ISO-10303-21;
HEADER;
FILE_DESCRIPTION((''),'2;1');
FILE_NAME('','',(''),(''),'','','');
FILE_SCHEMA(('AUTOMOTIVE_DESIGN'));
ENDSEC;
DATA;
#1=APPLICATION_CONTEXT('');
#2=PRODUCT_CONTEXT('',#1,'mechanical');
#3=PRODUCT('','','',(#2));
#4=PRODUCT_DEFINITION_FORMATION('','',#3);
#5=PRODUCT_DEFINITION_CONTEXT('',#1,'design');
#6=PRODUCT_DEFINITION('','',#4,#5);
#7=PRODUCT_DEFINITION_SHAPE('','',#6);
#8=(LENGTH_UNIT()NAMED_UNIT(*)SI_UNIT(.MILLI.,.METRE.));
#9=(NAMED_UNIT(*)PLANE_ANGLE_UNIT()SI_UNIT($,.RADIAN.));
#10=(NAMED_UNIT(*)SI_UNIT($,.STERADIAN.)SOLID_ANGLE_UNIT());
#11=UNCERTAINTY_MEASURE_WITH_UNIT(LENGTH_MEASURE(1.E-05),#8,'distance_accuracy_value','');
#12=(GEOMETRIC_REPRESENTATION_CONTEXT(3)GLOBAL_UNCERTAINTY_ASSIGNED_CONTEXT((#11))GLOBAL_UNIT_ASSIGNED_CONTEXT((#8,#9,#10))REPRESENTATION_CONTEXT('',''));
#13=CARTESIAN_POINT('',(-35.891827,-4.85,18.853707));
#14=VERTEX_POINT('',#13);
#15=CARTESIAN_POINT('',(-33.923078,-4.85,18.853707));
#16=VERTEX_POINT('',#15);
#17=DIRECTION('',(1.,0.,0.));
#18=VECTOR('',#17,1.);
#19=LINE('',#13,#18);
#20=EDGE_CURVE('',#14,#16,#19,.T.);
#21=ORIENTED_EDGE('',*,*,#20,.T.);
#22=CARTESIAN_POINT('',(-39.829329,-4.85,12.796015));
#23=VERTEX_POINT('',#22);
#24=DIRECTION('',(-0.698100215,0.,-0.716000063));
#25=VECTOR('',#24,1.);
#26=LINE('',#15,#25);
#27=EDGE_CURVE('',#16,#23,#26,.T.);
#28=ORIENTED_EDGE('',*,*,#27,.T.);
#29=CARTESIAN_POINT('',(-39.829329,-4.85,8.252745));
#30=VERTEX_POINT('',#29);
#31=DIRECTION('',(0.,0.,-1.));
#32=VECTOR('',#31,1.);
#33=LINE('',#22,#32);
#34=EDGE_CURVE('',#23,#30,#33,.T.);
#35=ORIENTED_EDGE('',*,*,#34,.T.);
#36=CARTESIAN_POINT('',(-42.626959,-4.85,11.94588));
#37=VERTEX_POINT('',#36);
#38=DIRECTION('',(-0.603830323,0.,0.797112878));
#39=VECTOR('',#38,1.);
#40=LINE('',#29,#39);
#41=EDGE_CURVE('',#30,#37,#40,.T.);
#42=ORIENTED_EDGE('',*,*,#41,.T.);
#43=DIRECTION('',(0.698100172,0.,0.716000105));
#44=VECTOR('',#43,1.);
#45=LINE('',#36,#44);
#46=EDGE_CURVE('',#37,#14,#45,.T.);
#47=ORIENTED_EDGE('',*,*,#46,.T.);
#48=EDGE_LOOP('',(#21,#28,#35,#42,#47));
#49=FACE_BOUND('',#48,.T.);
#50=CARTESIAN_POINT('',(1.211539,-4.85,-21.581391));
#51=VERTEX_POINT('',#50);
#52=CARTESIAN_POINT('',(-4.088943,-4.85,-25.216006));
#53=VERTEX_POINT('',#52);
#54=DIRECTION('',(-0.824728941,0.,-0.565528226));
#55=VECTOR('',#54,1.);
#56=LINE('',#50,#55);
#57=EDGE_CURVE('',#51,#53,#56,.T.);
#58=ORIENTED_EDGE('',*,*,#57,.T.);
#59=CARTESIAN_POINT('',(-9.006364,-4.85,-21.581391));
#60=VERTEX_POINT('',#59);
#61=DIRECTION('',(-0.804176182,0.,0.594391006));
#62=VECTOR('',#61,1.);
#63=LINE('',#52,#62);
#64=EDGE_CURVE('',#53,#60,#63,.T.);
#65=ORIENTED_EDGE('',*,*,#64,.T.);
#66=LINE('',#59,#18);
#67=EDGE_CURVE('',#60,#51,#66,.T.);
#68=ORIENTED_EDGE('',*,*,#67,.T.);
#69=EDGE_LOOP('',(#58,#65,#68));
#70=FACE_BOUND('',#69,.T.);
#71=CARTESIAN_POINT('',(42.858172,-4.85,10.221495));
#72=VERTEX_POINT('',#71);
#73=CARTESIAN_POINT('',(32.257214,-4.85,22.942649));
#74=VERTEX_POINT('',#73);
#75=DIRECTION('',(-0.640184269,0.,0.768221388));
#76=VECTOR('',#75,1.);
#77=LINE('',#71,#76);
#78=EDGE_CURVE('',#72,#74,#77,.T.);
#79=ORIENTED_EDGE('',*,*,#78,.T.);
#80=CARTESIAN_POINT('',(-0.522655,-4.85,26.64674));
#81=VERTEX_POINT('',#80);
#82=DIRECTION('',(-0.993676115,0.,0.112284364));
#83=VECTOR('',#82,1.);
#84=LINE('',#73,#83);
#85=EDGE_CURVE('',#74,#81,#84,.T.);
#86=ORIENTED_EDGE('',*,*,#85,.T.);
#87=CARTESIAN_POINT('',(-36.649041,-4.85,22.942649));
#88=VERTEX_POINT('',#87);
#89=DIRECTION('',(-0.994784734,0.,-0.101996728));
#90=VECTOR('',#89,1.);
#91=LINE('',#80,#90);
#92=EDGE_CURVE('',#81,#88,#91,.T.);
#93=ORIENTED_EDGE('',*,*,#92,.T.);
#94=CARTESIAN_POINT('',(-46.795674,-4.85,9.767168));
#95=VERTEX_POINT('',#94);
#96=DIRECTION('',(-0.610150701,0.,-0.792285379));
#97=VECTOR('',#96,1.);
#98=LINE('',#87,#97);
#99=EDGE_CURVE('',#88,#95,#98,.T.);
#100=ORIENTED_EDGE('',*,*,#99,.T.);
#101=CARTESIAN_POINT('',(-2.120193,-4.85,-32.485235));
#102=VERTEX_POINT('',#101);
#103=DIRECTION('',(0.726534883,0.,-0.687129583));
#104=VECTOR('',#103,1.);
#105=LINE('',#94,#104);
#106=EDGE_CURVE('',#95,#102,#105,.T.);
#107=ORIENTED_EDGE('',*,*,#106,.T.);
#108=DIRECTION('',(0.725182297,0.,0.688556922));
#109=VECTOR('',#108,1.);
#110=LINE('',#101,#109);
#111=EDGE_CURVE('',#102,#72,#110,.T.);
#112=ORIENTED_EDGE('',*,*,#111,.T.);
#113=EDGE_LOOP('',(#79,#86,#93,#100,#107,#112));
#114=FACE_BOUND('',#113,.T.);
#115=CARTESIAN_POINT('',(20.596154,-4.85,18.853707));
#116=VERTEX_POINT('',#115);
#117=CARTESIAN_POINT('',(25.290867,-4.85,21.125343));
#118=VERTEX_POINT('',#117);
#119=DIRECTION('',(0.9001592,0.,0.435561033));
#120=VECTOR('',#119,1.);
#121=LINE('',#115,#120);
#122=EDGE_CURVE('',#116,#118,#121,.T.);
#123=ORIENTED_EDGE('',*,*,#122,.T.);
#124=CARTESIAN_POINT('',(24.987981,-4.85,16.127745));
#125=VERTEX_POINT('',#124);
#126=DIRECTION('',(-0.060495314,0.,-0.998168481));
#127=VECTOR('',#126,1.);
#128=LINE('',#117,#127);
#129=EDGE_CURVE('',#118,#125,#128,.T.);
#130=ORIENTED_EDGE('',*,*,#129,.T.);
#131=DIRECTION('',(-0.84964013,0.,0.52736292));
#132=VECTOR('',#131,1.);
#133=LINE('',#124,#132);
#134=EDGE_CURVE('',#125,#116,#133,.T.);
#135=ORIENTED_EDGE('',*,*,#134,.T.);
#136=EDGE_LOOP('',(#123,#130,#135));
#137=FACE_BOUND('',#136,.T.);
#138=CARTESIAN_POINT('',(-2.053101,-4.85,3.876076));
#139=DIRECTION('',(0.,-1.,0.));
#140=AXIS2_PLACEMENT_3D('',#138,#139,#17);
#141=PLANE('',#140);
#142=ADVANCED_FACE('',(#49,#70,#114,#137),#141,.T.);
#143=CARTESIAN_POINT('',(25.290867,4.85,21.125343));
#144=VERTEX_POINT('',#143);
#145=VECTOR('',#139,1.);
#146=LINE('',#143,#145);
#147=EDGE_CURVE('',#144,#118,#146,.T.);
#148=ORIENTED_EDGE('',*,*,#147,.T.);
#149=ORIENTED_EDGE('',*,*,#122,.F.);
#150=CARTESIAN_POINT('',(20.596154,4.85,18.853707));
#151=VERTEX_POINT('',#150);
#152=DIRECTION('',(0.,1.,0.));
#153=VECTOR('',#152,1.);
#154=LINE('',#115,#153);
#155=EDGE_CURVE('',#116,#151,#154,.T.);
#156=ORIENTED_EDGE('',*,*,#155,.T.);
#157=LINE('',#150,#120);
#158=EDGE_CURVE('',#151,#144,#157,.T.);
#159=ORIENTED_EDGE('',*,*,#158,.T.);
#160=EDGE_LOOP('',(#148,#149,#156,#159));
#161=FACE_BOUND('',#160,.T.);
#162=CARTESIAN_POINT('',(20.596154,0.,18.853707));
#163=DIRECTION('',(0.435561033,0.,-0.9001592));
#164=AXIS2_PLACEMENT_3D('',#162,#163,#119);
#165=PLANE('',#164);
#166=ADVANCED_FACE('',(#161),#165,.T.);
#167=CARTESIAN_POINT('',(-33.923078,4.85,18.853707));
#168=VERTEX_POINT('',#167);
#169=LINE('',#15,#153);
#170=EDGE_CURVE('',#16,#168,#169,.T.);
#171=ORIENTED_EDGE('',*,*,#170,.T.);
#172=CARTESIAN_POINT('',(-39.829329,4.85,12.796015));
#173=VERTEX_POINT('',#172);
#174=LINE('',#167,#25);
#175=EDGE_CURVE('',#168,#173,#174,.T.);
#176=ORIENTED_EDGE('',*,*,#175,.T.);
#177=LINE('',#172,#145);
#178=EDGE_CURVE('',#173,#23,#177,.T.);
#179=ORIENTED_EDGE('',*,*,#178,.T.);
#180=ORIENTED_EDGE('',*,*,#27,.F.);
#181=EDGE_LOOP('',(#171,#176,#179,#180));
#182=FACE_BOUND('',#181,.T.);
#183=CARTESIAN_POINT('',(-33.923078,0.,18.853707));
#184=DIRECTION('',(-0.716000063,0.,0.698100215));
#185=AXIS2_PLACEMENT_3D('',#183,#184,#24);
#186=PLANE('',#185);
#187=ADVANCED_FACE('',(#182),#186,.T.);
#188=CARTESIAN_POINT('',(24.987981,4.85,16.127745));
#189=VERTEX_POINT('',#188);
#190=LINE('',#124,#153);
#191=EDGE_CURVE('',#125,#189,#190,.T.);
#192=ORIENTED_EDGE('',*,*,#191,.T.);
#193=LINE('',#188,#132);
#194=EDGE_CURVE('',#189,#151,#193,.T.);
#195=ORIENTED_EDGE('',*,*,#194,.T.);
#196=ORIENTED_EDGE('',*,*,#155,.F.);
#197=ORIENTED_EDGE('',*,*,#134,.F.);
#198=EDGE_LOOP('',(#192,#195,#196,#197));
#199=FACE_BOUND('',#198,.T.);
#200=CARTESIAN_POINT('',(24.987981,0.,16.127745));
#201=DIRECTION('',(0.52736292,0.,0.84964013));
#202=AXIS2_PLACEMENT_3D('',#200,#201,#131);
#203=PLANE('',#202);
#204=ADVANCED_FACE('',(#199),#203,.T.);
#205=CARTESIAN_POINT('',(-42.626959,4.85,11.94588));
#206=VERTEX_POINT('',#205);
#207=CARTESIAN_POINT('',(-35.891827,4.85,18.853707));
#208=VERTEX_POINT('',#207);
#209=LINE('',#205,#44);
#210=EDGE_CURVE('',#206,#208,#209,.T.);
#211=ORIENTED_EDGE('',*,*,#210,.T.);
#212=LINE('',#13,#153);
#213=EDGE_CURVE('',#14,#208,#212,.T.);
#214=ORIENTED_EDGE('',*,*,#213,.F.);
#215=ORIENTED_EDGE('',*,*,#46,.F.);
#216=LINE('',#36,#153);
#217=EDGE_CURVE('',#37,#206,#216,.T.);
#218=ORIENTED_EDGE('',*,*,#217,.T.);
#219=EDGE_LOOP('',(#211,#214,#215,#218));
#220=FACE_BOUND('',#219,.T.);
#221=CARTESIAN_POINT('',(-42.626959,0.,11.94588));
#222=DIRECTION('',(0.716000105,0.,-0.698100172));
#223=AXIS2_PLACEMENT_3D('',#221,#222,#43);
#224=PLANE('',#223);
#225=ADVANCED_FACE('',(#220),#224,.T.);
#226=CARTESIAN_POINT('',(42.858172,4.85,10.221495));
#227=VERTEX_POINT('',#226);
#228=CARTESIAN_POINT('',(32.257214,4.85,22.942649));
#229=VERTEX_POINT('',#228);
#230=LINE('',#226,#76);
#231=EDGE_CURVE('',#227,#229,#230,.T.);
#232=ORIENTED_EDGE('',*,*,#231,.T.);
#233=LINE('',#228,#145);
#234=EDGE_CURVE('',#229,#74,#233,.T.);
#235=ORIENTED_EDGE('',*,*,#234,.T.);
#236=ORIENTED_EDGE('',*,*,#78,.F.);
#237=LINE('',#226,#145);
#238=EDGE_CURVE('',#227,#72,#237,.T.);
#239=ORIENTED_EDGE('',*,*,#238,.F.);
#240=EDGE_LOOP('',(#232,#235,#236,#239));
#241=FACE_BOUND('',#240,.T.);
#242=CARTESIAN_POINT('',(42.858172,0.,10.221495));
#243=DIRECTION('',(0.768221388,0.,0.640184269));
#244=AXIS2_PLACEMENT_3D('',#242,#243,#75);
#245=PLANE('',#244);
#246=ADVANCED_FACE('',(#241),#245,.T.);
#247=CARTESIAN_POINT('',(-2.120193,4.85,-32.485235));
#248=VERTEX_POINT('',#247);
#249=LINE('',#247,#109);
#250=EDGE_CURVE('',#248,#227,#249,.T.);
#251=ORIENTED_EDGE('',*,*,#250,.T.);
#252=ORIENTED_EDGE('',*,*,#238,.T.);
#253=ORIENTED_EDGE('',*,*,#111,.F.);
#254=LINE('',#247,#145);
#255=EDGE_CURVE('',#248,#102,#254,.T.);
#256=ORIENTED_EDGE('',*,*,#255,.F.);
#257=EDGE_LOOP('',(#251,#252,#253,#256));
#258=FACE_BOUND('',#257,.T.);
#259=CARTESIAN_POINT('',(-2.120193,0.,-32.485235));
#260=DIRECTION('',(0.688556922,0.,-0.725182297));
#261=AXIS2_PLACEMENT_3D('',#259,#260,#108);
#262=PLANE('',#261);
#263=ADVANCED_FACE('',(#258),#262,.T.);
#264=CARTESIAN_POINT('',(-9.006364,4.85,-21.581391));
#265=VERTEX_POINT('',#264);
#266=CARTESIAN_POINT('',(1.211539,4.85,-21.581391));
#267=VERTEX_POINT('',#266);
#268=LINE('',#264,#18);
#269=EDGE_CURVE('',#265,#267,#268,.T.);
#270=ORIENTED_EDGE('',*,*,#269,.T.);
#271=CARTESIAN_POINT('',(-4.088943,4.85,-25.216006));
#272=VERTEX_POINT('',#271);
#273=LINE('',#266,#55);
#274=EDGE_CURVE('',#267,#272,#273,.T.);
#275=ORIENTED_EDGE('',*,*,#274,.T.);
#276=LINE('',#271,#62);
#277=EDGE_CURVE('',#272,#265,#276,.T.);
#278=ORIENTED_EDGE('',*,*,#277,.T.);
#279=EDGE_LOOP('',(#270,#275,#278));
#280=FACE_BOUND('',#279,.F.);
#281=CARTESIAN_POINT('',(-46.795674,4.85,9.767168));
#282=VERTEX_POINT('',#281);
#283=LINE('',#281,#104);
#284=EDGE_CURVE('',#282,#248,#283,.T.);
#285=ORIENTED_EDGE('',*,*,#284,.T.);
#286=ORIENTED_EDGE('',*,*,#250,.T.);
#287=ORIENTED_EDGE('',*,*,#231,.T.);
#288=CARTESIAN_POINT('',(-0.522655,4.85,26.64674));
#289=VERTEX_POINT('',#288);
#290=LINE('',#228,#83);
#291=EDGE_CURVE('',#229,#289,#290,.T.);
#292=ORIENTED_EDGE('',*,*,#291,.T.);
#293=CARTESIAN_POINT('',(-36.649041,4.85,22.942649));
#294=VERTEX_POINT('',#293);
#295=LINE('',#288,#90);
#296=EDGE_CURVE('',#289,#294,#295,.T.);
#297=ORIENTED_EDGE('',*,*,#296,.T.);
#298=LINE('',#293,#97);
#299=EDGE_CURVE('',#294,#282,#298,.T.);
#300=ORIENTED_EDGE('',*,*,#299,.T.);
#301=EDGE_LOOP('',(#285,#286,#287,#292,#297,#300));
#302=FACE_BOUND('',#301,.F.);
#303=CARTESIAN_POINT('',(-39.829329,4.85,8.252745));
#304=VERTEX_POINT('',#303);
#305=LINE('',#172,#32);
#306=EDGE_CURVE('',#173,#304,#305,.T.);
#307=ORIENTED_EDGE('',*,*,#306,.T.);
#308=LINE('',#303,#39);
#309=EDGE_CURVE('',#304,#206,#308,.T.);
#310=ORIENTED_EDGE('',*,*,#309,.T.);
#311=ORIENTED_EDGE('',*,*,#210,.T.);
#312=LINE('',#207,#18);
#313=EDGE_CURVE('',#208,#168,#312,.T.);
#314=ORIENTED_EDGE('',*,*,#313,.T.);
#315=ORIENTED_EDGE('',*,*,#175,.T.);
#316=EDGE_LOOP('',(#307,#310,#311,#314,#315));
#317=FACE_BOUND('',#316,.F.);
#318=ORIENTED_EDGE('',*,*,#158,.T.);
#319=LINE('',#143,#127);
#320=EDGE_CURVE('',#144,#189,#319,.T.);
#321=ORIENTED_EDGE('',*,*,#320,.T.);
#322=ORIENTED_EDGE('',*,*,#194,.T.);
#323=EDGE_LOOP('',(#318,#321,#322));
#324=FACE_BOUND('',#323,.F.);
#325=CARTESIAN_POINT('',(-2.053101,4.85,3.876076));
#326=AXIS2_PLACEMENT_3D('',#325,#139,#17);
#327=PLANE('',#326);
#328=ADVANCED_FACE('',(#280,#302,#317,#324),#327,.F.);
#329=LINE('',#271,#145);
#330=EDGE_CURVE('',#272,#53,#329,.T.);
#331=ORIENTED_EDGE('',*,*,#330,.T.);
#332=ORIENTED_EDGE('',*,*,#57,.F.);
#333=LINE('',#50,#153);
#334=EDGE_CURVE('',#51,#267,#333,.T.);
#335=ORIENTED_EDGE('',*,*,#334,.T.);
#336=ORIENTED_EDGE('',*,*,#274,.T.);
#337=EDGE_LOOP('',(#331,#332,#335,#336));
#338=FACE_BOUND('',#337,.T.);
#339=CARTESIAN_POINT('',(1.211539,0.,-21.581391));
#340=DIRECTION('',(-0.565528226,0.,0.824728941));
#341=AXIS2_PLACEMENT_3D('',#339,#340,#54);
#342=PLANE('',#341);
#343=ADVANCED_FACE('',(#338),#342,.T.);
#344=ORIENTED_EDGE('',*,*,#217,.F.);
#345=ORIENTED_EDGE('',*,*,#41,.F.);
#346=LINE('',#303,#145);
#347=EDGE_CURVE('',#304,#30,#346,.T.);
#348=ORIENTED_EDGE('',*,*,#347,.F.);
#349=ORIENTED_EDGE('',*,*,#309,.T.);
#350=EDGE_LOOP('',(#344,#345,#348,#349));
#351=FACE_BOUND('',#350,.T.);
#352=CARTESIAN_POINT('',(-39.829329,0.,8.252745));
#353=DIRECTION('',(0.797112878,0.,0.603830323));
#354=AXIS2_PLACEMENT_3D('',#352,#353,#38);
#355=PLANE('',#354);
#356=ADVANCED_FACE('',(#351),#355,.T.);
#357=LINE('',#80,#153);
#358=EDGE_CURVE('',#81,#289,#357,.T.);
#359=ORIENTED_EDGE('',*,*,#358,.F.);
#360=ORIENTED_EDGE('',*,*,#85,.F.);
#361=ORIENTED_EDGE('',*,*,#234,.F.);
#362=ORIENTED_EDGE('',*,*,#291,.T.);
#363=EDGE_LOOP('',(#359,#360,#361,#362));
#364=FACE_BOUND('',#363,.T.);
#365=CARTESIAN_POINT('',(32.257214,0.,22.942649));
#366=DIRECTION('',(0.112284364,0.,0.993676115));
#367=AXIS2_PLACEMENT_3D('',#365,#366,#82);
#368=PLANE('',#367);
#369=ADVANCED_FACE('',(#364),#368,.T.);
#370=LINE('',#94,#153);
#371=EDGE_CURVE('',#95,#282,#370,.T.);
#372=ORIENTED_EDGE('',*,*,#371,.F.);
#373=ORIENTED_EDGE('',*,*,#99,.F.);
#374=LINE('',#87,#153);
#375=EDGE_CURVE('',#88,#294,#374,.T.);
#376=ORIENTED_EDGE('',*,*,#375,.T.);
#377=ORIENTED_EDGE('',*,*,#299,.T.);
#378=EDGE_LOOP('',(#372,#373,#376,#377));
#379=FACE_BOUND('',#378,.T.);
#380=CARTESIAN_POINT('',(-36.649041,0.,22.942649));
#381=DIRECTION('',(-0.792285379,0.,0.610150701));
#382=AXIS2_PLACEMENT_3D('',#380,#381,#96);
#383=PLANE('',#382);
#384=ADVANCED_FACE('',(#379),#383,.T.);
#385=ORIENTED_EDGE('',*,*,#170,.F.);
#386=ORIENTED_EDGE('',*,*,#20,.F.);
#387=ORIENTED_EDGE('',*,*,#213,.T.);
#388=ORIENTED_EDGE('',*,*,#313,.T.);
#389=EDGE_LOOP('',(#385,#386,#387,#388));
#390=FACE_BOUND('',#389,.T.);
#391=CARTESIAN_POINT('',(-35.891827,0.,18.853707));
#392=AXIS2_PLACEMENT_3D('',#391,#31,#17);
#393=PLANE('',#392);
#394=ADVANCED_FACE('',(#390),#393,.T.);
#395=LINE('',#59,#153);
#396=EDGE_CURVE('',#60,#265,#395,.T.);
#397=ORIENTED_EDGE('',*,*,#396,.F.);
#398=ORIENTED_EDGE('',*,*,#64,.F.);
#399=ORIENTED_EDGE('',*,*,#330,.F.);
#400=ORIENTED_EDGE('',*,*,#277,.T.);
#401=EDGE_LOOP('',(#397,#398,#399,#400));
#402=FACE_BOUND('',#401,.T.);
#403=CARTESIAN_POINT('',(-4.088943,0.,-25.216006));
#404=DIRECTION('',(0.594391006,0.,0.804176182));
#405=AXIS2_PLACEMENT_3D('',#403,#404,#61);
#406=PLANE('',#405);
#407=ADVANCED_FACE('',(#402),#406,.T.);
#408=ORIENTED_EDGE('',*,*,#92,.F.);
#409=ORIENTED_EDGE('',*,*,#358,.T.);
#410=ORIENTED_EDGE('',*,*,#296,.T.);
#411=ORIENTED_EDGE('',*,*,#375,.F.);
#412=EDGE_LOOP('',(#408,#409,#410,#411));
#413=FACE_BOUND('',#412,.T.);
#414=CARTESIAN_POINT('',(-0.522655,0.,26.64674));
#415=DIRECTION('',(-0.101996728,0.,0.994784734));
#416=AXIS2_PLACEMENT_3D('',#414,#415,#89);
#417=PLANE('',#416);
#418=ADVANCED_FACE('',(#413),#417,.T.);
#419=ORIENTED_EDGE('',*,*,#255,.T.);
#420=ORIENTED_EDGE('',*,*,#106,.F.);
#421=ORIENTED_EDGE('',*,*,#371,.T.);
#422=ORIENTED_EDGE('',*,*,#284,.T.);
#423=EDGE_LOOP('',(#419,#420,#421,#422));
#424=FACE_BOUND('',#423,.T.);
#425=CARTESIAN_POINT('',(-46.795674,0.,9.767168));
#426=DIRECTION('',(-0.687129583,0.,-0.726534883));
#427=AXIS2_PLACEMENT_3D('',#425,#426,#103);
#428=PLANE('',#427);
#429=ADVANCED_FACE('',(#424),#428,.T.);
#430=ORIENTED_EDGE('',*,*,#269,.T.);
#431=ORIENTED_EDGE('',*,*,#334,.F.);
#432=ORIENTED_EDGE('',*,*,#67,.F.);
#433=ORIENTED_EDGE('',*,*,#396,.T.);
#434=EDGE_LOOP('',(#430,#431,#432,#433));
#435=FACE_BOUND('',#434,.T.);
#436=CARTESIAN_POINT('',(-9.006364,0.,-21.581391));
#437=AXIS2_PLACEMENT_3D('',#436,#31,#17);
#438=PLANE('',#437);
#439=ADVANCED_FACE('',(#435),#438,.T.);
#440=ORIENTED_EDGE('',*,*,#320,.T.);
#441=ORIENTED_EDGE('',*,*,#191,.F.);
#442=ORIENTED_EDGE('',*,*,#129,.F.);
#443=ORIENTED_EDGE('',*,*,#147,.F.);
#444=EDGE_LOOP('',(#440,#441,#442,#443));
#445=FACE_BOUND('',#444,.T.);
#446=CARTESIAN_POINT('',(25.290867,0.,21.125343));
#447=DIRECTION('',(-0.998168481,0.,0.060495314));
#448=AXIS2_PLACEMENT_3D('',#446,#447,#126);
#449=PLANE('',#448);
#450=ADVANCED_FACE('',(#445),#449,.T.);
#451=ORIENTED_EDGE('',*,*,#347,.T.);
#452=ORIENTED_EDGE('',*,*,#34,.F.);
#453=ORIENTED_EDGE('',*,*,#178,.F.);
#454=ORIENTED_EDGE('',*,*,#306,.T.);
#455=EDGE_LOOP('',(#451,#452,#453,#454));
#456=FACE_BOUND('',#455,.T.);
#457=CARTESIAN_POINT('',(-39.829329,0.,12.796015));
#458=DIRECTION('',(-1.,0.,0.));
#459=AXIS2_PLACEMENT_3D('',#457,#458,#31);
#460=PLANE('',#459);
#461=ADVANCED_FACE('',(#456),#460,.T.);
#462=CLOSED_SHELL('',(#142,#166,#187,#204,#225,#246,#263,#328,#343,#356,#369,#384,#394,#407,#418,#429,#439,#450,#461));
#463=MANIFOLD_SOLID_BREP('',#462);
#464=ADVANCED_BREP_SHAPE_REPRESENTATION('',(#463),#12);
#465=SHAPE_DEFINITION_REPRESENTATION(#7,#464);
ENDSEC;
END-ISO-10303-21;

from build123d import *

# Parameters (mm, degrees)
F1_DEPTH = 4.85


with BuildPart() as f1:
    # F0 (on Front) → F1 (new body, symmetric)
    with BuildSketch(Plane.XZ):
        Polygon((-46.795674, 9.767168), (-2.120193, -32.485235), (42.858172, 10.221495), (32.257214, 22.942649), (-0.522655, 26.64674), (-36.649041, 22.942649), align=None)
        Polygon((-4.088943, -25.216006), (-9.006364, -21.581391), (1.211539, -21.581391), align=None, mode=Mode.SUBTRACT)
        Polygon((-39.829329, 12.796015), (-39.829329, 8.252745), (-42.626959, 11.94588), (-35.891827, 18.853707), (-33.923078, 18.853707), align=None, mode=Mode.SUBTRACT)
        Polygon((25.290867, 21.125343), (24.987981, 16.127745), (20.596154, 18.853707), align=None, mode=Mode.SUBTRACT)
    extrude(amount=F1_DEPTH, both=True)


solid = f1.part
